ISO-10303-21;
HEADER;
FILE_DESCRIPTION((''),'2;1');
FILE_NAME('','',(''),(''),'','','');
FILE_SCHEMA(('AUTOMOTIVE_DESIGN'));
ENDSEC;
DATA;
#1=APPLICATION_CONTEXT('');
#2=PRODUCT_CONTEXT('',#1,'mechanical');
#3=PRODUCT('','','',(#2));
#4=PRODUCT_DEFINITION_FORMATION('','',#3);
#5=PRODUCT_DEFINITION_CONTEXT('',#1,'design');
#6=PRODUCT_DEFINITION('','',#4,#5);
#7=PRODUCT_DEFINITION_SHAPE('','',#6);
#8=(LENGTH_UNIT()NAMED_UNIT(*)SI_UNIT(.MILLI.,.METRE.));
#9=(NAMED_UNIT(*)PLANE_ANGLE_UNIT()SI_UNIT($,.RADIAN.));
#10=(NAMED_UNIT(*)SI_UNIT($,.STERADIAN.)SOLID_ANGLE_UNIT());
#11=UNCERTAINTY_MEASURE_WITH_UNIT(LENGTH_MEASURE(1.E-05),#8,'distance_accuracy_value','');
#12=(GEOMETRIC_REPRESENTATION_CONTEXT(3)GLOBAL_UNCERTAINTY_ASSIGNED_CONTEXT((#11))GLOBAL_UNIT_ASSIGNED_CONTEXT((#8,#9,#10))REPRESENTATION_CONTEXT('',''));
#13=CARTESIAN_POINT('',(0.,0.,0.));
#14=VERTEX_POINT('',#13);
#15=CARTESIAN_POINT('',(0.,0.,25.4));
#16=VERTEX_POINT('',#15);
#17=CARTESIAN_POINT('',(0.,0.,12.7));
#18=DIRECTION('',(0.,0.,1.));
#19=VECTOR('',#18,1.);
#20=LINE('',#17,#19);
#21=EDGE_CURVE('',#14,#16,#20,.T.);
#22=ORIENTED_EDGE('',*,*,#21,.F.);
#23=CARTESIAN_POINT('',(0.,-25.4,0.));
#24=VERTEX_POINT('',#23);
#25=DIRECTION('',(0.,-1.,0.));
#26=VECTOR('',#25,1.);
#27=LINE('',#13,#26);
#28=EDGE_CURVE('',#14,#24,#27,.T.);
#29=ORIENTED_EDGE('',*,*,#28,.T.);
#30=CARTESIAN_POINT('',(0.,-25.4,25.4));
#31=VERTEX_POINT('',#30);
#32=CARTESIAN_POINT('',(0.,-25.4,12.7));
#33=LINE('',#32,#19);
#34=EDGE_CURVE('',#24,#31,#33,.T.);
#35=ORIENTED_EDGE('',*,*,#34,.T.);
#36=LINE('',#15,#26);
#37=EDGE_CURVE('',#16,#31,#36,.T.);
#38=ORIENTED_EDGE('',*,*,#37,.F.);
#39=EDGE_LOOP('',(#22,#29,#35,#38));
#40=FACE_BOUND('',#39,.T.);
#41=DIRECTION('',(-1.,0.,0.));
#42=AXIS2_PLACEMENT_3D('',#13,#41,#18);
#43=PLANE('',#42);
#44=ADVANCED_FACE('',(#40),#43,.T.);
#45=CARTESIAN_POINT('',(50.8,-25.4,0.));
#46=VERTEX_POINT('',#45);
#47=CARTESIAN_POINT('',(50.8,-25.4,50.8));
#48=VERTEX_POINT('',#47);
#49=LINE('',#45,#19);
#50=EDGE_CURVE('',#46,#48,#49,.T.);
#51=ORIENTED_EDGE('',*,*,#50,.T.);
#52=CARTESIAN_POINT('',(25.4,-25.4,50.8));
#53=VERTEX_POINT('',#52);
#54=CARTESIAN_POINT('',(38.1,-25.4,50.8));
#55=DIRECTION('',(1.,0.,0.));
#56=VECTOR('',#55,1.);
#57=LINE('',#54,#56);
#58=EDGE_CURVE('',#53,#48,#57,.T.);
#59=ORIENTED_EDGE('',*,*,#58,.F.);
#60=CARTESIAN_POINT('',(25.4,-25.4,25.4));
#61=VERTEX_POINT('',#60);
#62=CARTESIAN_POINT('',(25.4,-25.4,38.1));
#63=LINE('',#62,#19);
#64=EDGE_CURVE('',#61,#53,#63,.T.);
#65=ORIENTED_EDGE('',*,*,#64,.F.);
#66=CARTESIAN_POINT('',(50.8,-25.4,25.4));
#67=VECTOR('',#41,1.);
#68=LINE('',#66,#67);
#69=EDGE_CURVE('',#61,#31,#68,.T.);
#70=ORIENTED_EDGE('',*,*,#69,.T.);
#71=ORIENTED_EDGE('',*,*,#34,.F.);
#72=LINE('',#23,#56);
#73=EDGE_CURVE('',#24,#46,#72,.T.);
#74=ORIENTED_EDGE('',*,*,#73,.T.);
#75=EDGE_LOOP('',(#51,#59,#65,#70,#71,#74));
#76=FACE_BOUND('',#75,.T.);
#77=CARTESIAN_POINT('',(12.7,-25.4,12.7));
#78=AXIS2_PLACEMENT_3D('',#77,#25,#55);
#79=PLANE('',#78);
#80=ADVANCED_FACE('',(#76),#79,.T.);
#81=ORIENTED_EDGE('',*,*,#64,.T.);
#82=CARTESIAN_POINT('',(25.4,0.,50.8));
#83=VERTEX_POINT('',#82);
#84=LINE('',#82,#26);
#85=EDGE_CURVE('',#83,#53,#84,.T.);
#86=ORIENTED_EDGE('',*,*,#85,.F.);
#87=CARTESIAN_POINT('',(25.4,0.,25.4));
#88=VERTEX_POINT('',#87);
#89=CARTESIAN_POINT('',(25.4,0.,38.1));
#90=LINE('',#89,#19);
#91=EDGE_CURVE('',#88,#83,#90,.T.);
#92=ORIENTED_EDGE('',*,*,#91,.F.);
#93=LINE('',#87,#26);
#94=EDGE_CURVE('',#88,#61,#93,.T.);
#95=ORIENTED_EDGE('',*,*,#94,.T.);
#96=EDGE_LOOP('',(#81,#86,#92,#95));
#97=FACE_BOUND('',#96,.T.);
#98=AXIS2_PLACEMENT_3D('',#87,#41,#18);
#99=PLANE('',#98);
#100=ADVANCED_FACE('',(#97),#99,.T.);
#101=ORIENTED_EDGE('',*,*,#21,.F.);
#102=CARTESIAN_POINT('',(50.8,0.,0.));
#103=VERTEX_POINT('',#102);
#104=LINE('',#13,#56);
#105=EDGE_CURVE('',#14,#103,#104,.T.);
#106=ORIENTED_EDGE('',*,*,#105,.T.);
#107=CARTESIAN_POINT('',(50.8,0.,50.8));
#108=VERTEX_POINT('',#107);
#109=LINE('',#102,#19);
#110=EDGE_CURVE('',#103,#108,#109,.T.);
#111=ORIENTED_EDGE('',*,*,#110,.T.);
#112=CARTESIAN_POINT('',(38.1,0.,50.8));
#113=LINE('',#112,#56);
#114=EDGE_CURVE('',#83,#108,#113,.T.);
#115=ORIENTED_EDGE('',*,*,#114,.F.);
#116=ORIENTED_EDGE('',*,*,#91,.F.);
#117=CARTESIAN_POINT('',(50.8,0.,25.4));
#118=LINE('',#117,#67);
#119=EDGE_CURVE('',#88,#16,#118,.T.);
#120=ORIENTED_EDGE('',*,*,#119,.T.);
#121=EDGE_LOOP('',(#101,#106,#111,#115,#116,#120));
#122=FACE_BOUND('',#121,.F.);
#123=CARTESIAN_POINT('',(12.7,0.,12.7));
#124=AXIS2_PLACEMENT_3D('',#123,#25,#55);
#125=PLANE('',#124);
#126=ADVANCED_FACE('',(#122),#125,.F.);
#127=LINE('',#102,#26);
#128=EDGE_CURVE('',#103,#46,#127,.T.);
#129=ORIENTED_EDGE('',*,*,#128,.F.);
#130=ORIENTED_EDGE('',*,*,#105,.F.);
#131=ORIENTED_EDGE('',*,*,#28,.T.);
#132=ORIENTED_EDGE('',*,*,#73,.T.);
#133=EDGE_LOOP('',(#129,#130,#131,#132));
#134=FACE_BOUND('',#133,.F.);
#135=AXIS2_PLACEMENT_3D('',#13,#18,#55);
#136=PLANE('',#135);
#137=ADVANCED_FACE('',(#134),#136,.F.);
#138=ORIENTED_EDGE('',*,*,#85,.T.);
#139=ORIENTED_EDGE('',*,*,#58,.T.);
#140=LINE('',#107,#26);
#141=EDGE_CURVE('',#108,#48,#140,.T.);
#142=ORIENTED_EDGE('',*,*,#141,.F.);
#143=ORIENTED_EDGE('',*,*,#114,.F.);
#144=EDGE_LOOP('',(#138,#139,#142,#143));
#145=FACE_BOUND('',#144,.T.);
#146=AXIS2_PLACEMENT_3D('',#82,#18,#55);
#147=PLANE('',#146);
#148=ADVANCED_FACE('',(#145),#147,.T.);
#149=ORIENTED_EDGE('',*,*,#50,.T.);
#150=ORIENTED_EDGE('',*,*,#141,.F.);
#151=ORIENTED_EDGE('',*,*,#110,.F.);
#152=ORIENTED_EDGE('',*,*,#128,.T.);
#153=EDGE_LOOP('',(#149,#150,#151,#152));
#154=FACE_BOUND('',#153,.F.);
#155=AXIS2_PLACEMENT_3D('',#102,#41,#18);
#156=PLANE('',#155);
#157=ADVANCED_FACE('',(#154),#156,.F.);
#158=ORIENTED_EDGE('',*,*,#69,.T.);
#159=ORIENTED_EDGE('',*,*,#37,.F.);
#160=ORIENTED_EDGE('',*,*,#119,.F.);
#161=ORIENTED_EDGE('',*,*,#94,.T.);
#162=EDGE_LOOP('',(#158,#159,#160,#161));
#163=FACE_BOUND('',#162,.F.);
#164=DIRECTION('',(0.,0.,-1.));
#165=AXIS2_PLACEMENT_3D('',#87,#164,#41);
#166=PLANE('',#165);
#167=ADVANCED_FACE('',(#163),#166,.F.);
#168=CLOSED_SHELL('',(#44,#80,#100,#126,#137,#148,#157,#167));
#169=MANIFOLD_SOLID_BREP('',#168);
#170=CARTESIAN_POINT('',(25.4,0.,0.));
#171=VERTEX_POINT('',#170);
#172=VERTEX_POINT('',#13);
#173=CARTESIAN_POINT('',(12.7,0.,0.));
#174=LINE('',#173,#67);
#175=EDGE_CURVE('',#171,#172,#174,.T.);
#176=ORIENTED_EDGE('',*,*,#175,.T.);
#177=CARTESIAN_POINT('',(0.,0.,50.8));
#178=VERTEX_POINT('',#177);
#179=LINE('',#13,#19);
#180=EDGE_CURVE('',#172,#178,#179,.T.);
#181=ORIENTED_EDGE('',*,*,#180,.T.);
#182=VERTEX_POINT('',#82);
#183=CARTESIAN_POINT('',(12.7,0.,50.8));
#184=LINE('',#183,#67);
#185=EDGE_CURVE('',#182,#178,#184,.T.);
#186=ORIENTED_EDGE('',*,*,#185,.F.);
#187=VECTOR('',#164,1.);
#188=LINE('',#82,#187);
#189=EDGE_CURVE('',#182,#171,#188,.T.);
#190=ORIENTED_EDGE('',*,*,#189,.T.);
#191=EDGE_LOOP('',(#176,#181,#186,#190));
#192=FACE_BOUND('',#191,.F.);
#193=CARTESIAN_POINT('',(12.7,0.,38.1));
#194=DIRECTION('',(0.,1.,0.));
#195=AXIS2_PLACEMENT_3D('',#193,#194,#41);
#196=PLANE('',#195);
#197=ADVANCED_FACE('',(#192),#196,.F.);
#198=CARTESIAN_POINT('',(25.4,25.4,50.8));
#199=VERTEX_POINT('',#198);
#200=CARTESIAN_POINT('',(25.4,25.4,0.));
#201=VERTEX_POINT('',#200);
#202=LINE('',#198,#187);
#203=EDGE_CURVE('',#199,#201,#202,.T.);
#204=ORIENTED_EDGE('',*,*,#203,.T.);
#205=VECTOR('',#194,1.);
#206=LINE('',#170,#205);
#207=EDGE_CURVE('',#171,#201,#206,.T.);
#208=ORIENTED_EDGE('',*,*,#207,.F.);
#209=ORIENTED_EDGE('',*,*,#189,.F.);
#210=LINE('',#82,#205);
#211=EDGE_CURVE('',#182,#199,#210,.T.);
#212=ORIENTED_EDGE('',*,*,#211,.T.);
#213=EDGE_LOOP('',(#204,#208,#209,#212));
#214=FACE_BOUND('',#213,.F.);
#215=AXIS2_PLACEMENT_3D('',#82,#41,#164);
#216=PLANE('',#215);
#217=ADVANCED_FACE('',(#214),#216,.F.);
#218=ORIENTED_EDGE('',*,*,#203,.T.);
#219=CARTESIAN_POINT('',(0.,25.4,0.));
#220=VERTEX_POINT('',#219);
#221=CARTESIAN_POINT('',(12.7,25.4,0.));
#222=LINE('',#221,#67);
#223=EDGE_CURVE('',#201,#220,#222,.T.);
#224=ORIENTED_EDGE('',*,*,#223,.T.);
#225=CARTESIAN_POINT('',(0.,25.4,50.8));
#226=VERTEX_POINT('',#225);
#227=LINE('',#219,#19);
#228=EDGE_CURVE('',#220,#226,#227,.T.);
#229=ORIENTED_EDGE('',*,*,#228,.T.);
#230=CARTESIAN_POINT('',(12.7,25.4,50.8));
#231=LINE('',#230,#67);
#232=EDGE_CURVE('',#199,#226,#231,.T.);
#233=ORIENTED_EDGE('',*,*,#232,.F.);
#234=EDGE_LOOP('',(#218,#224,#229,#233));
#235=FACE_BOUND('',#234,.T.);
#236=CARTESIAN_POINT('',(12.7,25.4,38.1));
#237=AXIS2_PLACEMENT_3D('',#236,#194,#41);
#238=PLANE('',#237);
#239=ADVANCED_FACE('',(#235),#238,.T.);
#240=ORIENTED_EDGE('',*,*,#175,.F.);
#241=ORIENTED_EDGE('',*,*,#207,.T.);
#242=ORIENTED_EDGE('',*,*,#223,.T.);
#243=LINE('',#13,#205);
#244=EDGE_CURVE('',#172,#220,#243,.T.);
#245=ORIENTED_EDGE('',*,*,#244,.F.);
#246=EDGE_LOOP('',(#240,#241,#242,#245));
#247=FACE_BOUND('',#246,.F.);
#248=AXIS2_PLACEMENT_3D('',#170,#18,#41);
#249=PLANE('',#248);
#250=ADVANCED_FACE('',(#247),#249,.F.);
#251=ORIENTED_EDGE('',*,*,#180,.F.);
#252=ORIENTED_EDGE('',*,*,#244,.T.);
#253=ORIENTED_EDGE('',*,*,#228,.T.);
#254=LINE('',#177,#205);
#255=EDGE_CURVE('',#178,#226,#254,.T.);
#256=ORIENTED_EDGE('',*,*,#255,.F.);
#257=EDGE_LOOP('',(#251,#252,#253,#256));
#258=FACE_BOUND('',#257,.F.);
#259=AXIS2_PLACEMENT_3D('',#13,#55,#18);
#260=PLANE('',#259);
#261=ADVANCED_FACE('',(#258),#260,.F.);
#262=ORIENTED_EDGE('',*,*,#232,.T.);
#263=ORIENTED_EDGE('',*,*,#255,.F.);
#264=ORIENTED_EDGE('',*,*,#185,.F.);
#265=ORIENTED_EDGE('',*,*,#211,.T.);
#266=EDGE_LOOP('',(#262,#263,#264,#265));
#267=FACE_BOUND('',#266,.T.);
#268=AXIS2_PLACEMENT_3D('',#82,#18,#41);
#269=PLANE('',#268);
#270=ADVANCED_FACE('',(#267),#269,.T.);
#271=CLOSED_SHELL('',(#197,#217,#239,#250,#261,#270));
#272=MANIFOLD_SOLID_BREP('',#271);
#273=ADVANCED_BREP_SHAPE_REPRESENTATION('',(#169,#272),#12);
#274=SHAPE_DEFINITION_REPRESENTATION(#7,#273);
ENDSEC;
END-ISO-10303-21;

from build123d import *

# Parameters (mm, degrees)
F0_W     = 25.4
F0_H     = 25.4
F1_DEPTH = 25.4
F2_W     = 25.4
F2_H     = 25.4
F3_DEPTH = 25.4


with BuildPart() as f1:
    # F0 (on Front) → F1 (new body)
    with BuildSketch(Plane.XZ):
        with Locations((12.7, 12.7)):
            Rectangle(F0_W, F0_H)
        with Locations((38.1, 12.7)):
            Rectangle(F0_W, F0_H)
        with Locations((38.1, 38.1)):
            Rectangle(F0_W, F0_H)
    extrude(amount=F1_DEPTH)


with BuildPart() as f3:
    # F2 (on face) → F3 (new body)
    with BuildSketch(Plane(origin=(0, 0, 0), x_dir=(-1, 0, 0), z_dir=(0, 1, 0))):
        with Locations((-12.7, 38.1)):
            Rectangle(F2_W, F2_H)
        with Locations((-12.7, 12.7)):
            Rectangle(F2_W, F2_H)
    extrude(amount=F3_DEPTH)


solid = Compound([f1.part, f3.part])
